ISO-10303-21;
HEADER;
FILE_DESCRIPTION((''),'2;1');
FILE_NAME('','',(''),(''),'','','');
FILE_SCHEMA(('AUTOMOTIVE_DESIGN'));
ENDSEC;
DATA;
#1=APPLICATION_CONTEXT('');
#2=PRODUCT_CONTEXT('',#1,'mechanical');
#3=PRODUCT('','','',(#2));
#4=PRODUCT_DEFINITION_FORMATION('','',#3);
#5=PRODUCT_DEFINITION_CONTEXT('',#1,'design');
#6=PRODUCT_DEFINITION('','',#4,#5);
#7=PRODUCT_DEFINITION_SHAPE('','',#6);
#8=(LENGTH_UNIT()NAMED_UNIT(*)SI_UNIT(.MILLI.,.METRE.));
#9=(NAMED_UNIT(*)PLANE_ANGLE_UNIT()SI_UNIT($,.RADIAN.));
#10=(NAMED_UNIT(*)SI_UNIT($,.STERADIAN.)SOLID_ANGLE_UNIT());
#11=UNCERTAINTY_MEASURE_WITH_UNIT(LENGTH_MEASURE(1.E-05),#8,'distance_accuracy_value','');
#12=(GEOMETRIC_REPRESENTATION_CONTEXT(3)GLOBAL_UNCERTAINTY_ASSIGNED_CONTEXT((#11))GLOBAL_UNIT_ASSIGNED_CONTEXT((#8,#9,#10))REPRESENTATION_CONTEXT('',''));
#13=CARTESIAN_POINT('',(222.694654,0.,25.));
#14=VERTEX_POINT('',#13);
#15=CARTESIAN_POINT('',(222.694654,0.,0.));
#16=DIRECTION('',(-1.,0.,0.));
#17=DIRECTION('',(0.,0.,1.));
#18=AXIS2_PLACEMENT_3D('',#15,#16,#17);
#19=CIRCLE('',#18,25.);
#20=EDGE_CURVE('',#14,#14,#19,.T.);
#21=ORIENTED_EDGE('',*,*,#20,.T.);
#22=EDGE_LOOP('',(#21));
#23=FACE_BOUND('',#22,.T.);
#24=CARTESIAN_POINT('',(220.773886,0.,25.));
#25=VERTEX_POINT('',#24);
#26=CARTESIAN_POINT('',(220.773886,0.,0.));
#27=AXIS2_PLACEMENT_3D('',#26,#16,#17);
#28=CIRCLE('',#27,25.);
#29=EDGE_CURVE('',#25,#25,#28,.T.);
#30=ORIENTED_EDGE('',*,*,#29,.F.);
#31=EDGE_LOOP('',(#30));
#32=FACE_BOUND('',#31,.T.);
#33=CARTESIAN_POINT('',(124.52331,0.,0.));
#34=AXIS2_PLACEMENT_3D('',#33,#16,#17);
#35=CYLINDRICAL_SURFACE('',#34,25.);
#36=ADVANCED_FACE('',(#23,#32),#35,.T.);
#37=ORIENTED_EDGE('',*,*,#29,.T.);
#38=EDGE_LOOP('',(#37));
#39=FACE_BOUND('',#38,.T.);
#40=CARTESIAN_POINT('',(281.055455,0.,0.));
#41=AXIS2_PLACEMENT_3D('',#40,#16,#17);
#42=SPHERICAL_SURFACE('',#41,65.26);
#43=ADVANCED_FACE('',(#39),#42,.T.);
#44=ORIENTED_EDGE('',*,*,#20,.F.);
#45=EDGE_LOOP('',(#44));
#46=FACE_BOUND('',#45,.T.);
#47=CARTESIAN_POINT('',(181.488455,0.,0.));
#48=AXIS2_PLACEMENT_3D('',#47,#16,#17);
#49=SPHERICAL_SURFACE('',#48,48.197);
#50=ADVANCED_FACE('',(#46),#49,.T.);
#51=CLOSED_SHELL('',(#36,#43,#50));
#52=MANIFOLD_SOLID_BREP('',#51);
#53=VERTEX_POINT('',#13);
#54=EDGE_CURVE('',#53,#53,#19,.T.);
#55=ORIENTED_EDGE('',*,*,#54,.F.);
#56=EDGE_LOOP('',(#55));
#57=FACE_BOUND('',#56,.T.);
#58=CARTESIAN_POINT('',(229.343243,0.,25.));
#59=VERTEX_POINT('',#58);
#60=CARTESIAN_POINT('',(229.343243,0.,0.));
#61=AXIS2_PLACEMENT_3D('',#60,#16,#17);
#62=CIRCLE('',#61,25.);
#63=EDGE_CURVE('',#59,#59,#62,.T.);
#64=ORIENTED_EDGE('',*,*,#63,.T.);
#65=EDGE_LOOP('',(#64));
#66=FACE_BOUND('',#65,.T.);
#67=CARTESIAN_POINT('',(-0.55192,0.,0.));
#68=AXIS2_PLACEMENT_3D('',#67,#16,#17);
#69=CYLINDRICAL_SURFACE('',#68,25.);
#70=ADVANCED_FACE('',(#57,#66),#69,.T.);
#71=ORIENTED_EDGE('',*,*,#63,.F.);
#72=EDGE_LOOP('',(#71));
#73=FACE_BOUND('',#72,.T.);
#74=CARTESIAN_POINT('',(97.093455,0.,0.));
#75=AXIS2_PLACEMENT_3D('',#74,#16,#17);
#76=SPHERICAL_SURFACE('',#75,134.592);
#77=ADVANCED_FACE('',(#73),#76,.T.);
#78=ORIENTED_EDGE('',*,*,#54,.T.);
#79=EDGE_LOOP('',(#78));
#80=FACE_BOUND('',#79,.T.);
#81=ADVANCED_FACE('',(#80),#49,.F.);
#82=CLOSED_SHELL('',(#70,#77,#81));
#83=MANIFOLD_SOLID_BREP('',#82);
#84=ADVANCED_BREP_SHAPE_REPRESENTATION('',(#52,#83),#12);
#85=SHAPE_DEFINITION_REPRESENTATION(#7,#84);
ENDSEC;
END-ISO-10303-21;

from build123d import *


with BuildPart() as part:
    # 草图1 one side → 旋转1 (revolve)
    with BuildSketch(Plane(origin=(0, 0, 0), x_dir=(1, 0, 0), z_dir=(0, 1, 0)), mode=Mode.PRIVATE) as revolve_1_sk:
        with BuildLine():
            ThreePointArc((220.773885835, 25), (217.052163, 12.745438125), (215.795455157, 0))
            Line((215.795455157, 0), (229.685455157, 0))
            ThreePointArc((229.685455157, 0), (227.904863713, 12.979515623), (222.694653829, 25))
            Line((222.694653829, 25), (220.773885835, 25))
        make_face()
    revolve(revolve_1_sk.sketch.rotate(Axis((124.523309526, 0, 0), (1, 0, 0)), 180), axis=Axis((124.523309526, 0, 0), (1, 0, 0)))  # turned: the seam where the file's is


with BuildPart() as body_2:
    # 草图2 one side → 旋转3 (revolve)
    with BuildSketch(Plane(origin=(0, 0, 0), x_dir=(1, 0, 0), z_dir=(0, 1, 0)), mode=Mode.PRIVATE) as revolve_3_sk:
        with BuildLine():
            Line((229.343243301, 25), (222.694653829, 25))
            ThreePointArc((222.694653829, 25), (227.904863713, 12.979515623), (229.685455157, 0))
            Line((229.685455157, 0), (231.685455157, 0))
            ThreePointArc((231.685455157, 0), (231.098622875, 12.554739706), (229.343243301, 25))
        make_face()
    revolve(revolve_3_sk.sketch.rotate(Axis((-0.551919993, 0, 0), (1, 0, 0)), 180), axis=Axis((-0.551919993, 0, 0), (1, 0, 0)))  # turned: the seam where the file's is


solid = Compound([part.part, body_2.part])
